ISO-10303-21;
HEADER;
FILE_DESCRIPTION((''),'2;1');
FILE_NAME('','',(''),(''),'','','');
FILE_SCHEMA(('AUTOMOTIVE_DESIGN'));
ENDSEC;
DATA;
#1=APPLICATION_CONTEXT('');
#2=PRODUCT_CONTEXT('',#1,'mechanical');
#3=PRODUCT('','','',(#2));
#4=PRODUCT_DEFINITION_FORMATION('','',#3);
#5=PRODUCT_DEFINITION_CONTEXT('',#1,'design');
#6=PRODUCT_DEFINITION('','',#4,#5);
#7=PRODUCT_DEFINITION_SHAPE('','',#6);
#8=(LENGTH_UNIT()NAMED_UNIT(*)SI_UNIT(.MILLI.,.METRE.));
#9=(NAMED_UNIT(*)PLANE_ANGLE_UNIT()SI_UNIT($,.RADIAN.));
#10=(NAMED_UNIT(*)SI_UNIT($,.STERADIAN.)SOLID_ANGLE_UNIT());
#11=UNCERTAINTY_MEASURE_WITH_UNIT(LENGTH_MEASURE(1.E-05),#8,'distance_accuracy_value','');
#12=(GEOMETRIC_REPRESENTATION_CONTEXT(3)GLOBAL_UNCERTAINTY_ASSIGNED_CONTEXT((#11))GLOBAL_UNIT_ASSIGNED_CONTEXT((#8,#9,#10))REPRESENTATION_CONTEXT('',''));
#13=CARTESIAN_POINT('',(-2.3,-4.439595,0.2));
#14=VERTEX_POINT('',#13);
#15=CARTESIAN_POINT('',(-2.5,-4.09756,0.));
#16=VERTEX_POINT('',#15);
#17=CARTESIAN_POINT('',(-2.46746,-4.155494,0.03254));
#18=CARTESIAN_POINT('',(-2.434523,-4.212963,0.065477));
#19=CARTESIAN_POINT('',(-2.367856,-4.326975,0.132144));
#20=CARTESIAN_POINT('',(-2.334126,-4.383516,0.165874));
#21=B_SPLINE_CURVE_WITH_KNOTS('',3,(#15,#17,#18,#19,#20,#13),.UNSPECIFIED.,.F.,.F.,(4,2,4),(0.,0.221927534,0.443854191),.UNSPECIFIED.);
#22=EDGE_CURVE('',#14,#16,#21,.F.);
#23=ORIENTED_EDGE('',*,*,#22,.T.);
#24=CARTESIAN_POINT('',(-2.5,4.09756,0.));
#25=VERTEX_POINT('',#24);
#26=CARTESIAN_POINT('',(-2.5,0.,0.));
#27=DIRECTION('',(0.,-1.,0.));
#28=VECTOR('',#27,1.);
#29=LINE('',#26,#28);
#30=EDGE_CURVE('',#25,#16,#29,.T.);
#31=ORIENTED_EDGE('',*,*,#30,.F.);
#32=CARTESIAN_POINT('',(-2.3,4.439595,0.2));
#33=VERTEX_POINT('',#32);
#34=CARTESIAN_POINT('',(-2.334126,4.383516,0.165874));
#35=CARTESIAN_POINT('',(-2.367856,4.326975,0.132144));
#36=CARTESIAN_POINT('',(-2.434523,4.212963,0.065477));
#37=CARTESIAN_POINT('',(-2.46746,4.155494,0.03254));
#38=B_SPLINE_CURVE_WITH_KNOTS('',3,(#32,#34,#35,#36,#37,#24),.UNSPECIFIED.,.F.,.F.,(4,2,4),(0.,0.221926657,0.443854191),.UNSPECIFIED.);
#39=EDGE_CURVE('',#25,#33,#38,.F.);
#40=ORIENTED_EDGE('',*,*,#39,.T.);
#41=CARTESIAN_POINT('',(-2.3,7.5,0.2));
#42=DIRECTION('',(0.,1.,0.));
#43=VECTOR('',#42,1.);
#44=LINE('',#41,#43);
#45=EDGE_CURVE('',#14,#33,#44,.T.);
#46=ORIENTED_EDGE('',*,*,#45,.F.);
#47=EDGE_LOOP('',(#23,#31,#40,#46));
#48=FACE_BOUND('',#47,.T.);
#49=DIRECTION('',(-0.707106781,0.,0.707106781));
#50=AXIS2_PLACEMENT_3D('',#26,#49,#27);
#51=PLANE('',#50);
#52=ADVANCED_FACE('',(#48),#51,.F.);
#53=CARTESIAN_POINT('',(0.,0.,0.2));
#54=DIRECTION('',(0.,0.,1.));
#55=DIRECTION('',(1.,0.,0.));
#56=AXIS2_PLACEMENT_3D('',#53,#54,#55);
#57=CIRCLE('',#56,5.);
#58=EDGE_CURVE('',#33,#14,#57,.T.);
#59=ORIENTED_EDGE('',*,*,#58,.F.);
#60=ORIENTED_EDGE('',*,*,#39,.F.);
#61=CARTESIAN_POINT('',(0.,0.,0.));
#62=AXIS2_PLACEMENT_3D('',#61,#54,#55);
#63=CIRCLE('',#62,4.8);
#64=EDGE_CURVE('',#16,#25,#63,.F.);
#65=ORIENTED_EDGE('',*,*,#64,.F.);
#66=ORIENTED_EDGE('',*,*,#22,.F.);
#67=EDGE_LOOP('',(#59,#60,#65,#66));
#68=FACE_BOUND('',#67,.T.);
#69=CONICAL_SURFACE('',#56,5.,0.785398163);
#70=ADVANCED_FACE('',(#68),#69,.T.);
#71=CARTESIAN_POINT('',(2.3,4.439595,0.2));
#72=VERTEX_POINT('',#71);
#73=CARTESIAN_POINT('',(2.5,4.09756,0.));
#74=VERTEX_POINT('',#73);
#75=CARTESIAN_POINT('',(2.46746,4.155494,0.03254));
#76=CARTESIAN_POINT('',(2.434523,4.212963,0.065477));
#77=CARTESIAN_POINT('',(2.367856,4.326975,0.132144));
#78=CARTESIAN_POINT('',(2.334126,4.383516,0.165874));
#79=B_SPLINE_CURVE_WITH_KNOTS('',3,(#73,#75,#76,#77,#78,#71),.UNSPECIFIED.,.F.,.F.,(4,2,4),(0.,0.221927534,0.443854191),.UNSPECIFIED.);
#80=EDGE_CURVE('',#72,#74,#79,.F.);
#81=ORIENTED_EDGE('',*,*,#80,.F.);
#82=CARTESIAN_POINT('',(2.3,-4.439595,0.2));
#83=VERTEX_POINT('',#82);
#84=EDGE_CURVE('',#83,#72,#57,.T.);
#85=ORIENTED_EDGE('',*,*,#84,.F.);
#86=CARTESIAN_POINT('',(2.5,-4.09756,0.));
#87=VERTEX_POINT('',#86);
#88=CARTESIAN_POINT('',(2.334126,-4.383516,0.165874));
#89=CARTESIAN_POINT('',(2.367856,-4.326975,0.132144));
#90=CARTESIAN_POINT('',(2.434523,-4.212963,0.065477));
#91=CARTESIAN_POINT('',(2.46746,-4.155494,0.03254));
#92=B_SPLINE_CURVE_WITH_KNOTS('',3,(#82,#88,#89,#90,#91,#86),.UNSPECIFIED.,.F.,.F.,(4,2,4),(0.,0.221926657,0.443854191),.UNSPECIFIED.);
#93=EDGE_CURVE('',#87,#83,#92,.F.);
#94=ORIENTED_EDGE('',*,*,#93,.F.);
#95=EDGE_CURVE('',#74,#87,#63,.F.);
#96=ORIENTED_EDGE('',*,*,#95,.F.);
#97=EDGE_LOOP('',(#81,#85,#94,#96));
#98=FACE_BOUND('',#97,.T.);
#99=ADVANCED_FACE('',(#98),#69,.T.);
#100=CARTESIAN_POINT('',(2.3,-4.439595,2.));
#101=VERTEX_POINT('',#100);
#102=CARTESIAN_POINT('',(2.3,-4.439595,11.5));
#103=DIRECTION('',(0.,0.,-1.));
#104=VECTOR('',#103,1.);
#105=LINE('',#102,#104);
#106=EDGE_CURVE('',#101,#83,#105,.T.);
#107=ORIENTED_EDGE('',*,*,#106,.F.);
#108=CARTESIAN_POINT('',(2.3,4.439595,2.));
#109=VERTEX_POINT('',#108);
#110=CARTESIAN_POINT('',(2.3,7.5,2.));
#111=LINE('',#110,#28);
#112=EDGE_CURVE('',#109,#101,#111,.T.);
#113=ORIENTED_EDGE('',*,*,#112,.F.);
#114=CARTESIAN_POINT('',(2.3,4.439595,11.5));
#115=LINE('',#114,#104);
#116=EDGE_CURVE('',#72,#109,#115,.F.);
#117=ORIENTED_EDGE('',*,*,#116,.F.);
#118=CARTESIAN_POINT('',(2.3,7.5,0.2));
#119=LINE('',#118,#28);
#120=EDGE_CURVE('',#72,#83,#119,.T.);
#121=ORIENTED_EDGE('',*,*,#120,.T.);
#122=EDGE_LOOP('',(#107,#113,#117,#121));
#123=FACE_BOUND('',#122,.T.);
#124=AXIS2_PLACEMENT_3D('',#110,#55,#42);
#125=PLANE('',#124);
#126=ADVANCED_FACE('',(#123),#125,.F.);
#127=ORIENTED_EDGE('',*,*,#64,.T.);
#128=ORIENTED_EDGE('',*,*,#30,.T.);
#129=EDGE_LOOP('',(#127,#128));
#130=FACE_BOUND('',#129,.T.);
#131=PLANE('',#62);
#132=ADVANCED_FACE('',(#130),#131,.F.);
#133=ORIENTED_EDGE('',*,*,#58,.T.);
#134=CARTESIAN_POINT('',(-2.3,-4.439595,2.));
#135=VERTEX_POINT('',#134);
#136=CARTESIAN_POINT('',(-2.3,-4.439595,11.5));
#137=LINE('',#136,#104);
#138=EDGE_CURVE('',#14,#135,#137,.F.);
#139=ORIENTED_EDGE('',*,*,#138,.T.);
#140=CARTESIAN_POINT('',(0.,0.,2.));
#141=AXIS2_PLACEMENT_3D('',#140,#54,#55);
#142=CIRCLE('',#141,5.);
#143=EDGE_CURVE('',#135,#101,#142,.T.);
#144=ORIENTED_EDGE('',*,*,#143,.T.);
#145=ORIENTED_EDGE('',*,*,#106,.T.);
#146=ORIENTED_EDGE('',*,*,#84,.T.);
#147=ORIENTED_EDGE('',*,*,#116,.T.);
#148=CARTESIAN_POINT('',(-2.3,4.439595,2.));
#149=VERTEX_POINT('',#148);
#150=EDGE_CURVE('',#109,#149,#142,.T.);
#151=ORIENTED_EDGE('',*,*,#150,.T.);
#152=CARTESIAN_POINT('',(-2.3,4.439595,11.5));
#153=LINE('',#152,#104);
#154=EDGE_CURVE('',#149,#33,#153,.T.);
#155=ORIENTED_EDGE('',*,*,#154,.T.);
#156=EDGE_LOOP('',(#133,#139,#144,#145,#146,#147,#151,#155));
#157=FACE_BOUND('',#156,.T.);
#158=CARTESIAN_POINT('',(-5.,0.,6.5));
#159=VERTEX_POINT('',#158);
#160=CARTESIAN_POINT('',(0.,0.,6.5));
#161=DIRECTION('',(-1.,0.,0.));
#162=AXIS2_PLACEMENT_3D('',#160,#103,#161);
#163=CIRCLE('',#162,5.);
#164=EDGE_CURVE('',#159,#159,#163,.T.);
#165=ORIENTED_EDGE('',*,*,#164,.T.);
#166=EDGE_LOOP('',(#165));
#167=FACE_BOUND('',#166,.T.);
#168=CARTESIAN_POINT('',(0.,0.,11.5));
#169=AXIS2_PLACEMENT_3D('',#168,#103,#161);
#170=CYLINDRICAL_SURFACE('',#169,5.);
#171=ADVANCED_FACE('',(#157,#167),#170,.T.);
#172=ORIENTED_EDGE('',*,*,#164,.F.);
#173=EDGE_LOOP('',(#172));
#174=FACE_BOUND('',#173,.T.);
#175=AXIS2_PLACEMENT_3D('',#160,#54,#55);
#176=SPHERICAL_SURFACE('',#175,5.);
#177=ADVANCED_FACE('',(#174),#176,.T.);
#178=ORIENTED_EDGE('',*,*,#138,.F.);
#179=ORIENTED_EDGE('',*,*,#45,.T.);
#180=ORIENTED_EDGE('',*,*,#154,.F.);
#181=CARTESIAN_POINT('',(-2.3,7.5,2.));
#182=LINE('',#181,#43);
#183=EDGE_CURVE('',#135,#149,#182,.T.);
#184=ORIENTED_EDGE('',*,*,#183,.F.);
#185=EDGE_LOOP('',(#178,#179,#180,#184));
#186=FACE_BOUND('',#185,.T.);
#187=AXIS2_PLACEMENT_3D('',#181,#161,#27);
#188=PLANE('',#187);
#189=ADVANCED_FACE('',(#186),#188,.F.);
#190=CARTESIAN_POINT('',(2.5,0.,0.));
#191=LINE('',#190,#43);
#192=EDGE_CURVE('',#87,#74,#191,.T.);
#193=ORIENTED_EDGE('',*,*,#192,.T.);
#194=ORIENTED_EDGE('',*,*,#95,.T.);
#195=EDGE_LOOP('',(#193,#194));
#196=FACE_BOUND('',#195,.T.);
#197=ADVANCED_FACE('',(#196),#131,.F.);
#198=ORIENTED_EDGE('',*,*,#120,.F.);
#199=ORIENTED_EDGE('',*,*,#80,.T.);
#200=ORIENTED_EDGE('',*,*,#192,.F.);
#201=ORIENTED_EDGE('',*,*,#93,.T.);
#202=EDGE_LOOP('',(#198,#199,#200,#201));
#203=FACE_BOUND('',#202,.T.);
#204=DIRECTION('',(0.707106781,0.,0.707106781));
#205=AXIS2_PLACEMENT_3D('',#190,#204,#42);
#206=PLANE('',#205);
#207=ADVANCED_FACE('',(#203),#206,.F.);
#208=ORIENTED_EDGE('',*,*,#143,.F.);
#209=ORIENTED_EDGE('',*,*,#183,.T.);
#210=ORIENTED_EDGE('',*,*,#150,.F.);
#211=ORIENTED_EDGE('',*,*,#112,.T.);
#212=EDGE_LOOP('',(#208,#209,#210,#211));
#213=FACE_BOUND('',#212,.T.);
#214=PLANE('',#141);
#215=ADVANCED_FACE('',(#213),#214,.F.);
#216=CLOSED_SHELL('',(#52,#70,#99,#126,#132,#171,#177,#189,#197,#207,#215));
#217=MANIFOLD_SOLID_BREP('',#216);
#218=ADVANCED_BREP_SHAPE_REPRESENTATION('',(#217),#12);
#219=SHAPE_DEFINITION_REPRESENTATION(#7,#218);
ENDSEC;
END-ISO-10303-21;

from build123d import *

# Parameters (mm, degrees)
SKETCH1_R           = 5
BOSS_EXTRUDE1_DEPTH = 11.5
FILLET1_R           = 5
SKETCH4_W           = 4.6
SKETCH4_H           = 15
CUT_EXTRUDE1_DEPTH  = 2
CHAMFER1_SIZE       = 0.2


with BuildPart() as part:
    # Sketch1 → Boss-Extrude1 (new body)
    with BuildSketch(Plane.XY):
        Circle(SKETCH1_R)
    extrude(amount=BOSS_EXTRUDE1_DEPTH)

    # Fillet1
    fillet1_edges = [part.edges().sort_by_distance(p)[0] for p in [
        (-5, 0, 11.5),
    ]]
    fillet(fillet1_edges, radius=FILLET1_R)

    # Sketch4 → Cut-Extrude1 (cut)
    with BuildSketch(Plane(origin=(0, 0, 0), x_dir=(-1, 0, 0), z_dir=(0, 0, -1))):
        Rectangle(SKETCH4_W, SKETCH4_H)
    extrude(amount=-CUT_EXTRUDE1_DEPTH, mode=Mode.SUBTRACT)

    # Chamfer1
    chamfer1_edges = [part.edges().sort_by_distance(p)[0] for p in [
        (-5, 0, 0),
        (4.272001873, 2.598076211, 0),
        (-2.3, 0, 0),
        (2.3, 0, 0),
    ]]
    chamfer(chamfer1_edges, length=CHAMFER1_SIZE)


solid = part.part
